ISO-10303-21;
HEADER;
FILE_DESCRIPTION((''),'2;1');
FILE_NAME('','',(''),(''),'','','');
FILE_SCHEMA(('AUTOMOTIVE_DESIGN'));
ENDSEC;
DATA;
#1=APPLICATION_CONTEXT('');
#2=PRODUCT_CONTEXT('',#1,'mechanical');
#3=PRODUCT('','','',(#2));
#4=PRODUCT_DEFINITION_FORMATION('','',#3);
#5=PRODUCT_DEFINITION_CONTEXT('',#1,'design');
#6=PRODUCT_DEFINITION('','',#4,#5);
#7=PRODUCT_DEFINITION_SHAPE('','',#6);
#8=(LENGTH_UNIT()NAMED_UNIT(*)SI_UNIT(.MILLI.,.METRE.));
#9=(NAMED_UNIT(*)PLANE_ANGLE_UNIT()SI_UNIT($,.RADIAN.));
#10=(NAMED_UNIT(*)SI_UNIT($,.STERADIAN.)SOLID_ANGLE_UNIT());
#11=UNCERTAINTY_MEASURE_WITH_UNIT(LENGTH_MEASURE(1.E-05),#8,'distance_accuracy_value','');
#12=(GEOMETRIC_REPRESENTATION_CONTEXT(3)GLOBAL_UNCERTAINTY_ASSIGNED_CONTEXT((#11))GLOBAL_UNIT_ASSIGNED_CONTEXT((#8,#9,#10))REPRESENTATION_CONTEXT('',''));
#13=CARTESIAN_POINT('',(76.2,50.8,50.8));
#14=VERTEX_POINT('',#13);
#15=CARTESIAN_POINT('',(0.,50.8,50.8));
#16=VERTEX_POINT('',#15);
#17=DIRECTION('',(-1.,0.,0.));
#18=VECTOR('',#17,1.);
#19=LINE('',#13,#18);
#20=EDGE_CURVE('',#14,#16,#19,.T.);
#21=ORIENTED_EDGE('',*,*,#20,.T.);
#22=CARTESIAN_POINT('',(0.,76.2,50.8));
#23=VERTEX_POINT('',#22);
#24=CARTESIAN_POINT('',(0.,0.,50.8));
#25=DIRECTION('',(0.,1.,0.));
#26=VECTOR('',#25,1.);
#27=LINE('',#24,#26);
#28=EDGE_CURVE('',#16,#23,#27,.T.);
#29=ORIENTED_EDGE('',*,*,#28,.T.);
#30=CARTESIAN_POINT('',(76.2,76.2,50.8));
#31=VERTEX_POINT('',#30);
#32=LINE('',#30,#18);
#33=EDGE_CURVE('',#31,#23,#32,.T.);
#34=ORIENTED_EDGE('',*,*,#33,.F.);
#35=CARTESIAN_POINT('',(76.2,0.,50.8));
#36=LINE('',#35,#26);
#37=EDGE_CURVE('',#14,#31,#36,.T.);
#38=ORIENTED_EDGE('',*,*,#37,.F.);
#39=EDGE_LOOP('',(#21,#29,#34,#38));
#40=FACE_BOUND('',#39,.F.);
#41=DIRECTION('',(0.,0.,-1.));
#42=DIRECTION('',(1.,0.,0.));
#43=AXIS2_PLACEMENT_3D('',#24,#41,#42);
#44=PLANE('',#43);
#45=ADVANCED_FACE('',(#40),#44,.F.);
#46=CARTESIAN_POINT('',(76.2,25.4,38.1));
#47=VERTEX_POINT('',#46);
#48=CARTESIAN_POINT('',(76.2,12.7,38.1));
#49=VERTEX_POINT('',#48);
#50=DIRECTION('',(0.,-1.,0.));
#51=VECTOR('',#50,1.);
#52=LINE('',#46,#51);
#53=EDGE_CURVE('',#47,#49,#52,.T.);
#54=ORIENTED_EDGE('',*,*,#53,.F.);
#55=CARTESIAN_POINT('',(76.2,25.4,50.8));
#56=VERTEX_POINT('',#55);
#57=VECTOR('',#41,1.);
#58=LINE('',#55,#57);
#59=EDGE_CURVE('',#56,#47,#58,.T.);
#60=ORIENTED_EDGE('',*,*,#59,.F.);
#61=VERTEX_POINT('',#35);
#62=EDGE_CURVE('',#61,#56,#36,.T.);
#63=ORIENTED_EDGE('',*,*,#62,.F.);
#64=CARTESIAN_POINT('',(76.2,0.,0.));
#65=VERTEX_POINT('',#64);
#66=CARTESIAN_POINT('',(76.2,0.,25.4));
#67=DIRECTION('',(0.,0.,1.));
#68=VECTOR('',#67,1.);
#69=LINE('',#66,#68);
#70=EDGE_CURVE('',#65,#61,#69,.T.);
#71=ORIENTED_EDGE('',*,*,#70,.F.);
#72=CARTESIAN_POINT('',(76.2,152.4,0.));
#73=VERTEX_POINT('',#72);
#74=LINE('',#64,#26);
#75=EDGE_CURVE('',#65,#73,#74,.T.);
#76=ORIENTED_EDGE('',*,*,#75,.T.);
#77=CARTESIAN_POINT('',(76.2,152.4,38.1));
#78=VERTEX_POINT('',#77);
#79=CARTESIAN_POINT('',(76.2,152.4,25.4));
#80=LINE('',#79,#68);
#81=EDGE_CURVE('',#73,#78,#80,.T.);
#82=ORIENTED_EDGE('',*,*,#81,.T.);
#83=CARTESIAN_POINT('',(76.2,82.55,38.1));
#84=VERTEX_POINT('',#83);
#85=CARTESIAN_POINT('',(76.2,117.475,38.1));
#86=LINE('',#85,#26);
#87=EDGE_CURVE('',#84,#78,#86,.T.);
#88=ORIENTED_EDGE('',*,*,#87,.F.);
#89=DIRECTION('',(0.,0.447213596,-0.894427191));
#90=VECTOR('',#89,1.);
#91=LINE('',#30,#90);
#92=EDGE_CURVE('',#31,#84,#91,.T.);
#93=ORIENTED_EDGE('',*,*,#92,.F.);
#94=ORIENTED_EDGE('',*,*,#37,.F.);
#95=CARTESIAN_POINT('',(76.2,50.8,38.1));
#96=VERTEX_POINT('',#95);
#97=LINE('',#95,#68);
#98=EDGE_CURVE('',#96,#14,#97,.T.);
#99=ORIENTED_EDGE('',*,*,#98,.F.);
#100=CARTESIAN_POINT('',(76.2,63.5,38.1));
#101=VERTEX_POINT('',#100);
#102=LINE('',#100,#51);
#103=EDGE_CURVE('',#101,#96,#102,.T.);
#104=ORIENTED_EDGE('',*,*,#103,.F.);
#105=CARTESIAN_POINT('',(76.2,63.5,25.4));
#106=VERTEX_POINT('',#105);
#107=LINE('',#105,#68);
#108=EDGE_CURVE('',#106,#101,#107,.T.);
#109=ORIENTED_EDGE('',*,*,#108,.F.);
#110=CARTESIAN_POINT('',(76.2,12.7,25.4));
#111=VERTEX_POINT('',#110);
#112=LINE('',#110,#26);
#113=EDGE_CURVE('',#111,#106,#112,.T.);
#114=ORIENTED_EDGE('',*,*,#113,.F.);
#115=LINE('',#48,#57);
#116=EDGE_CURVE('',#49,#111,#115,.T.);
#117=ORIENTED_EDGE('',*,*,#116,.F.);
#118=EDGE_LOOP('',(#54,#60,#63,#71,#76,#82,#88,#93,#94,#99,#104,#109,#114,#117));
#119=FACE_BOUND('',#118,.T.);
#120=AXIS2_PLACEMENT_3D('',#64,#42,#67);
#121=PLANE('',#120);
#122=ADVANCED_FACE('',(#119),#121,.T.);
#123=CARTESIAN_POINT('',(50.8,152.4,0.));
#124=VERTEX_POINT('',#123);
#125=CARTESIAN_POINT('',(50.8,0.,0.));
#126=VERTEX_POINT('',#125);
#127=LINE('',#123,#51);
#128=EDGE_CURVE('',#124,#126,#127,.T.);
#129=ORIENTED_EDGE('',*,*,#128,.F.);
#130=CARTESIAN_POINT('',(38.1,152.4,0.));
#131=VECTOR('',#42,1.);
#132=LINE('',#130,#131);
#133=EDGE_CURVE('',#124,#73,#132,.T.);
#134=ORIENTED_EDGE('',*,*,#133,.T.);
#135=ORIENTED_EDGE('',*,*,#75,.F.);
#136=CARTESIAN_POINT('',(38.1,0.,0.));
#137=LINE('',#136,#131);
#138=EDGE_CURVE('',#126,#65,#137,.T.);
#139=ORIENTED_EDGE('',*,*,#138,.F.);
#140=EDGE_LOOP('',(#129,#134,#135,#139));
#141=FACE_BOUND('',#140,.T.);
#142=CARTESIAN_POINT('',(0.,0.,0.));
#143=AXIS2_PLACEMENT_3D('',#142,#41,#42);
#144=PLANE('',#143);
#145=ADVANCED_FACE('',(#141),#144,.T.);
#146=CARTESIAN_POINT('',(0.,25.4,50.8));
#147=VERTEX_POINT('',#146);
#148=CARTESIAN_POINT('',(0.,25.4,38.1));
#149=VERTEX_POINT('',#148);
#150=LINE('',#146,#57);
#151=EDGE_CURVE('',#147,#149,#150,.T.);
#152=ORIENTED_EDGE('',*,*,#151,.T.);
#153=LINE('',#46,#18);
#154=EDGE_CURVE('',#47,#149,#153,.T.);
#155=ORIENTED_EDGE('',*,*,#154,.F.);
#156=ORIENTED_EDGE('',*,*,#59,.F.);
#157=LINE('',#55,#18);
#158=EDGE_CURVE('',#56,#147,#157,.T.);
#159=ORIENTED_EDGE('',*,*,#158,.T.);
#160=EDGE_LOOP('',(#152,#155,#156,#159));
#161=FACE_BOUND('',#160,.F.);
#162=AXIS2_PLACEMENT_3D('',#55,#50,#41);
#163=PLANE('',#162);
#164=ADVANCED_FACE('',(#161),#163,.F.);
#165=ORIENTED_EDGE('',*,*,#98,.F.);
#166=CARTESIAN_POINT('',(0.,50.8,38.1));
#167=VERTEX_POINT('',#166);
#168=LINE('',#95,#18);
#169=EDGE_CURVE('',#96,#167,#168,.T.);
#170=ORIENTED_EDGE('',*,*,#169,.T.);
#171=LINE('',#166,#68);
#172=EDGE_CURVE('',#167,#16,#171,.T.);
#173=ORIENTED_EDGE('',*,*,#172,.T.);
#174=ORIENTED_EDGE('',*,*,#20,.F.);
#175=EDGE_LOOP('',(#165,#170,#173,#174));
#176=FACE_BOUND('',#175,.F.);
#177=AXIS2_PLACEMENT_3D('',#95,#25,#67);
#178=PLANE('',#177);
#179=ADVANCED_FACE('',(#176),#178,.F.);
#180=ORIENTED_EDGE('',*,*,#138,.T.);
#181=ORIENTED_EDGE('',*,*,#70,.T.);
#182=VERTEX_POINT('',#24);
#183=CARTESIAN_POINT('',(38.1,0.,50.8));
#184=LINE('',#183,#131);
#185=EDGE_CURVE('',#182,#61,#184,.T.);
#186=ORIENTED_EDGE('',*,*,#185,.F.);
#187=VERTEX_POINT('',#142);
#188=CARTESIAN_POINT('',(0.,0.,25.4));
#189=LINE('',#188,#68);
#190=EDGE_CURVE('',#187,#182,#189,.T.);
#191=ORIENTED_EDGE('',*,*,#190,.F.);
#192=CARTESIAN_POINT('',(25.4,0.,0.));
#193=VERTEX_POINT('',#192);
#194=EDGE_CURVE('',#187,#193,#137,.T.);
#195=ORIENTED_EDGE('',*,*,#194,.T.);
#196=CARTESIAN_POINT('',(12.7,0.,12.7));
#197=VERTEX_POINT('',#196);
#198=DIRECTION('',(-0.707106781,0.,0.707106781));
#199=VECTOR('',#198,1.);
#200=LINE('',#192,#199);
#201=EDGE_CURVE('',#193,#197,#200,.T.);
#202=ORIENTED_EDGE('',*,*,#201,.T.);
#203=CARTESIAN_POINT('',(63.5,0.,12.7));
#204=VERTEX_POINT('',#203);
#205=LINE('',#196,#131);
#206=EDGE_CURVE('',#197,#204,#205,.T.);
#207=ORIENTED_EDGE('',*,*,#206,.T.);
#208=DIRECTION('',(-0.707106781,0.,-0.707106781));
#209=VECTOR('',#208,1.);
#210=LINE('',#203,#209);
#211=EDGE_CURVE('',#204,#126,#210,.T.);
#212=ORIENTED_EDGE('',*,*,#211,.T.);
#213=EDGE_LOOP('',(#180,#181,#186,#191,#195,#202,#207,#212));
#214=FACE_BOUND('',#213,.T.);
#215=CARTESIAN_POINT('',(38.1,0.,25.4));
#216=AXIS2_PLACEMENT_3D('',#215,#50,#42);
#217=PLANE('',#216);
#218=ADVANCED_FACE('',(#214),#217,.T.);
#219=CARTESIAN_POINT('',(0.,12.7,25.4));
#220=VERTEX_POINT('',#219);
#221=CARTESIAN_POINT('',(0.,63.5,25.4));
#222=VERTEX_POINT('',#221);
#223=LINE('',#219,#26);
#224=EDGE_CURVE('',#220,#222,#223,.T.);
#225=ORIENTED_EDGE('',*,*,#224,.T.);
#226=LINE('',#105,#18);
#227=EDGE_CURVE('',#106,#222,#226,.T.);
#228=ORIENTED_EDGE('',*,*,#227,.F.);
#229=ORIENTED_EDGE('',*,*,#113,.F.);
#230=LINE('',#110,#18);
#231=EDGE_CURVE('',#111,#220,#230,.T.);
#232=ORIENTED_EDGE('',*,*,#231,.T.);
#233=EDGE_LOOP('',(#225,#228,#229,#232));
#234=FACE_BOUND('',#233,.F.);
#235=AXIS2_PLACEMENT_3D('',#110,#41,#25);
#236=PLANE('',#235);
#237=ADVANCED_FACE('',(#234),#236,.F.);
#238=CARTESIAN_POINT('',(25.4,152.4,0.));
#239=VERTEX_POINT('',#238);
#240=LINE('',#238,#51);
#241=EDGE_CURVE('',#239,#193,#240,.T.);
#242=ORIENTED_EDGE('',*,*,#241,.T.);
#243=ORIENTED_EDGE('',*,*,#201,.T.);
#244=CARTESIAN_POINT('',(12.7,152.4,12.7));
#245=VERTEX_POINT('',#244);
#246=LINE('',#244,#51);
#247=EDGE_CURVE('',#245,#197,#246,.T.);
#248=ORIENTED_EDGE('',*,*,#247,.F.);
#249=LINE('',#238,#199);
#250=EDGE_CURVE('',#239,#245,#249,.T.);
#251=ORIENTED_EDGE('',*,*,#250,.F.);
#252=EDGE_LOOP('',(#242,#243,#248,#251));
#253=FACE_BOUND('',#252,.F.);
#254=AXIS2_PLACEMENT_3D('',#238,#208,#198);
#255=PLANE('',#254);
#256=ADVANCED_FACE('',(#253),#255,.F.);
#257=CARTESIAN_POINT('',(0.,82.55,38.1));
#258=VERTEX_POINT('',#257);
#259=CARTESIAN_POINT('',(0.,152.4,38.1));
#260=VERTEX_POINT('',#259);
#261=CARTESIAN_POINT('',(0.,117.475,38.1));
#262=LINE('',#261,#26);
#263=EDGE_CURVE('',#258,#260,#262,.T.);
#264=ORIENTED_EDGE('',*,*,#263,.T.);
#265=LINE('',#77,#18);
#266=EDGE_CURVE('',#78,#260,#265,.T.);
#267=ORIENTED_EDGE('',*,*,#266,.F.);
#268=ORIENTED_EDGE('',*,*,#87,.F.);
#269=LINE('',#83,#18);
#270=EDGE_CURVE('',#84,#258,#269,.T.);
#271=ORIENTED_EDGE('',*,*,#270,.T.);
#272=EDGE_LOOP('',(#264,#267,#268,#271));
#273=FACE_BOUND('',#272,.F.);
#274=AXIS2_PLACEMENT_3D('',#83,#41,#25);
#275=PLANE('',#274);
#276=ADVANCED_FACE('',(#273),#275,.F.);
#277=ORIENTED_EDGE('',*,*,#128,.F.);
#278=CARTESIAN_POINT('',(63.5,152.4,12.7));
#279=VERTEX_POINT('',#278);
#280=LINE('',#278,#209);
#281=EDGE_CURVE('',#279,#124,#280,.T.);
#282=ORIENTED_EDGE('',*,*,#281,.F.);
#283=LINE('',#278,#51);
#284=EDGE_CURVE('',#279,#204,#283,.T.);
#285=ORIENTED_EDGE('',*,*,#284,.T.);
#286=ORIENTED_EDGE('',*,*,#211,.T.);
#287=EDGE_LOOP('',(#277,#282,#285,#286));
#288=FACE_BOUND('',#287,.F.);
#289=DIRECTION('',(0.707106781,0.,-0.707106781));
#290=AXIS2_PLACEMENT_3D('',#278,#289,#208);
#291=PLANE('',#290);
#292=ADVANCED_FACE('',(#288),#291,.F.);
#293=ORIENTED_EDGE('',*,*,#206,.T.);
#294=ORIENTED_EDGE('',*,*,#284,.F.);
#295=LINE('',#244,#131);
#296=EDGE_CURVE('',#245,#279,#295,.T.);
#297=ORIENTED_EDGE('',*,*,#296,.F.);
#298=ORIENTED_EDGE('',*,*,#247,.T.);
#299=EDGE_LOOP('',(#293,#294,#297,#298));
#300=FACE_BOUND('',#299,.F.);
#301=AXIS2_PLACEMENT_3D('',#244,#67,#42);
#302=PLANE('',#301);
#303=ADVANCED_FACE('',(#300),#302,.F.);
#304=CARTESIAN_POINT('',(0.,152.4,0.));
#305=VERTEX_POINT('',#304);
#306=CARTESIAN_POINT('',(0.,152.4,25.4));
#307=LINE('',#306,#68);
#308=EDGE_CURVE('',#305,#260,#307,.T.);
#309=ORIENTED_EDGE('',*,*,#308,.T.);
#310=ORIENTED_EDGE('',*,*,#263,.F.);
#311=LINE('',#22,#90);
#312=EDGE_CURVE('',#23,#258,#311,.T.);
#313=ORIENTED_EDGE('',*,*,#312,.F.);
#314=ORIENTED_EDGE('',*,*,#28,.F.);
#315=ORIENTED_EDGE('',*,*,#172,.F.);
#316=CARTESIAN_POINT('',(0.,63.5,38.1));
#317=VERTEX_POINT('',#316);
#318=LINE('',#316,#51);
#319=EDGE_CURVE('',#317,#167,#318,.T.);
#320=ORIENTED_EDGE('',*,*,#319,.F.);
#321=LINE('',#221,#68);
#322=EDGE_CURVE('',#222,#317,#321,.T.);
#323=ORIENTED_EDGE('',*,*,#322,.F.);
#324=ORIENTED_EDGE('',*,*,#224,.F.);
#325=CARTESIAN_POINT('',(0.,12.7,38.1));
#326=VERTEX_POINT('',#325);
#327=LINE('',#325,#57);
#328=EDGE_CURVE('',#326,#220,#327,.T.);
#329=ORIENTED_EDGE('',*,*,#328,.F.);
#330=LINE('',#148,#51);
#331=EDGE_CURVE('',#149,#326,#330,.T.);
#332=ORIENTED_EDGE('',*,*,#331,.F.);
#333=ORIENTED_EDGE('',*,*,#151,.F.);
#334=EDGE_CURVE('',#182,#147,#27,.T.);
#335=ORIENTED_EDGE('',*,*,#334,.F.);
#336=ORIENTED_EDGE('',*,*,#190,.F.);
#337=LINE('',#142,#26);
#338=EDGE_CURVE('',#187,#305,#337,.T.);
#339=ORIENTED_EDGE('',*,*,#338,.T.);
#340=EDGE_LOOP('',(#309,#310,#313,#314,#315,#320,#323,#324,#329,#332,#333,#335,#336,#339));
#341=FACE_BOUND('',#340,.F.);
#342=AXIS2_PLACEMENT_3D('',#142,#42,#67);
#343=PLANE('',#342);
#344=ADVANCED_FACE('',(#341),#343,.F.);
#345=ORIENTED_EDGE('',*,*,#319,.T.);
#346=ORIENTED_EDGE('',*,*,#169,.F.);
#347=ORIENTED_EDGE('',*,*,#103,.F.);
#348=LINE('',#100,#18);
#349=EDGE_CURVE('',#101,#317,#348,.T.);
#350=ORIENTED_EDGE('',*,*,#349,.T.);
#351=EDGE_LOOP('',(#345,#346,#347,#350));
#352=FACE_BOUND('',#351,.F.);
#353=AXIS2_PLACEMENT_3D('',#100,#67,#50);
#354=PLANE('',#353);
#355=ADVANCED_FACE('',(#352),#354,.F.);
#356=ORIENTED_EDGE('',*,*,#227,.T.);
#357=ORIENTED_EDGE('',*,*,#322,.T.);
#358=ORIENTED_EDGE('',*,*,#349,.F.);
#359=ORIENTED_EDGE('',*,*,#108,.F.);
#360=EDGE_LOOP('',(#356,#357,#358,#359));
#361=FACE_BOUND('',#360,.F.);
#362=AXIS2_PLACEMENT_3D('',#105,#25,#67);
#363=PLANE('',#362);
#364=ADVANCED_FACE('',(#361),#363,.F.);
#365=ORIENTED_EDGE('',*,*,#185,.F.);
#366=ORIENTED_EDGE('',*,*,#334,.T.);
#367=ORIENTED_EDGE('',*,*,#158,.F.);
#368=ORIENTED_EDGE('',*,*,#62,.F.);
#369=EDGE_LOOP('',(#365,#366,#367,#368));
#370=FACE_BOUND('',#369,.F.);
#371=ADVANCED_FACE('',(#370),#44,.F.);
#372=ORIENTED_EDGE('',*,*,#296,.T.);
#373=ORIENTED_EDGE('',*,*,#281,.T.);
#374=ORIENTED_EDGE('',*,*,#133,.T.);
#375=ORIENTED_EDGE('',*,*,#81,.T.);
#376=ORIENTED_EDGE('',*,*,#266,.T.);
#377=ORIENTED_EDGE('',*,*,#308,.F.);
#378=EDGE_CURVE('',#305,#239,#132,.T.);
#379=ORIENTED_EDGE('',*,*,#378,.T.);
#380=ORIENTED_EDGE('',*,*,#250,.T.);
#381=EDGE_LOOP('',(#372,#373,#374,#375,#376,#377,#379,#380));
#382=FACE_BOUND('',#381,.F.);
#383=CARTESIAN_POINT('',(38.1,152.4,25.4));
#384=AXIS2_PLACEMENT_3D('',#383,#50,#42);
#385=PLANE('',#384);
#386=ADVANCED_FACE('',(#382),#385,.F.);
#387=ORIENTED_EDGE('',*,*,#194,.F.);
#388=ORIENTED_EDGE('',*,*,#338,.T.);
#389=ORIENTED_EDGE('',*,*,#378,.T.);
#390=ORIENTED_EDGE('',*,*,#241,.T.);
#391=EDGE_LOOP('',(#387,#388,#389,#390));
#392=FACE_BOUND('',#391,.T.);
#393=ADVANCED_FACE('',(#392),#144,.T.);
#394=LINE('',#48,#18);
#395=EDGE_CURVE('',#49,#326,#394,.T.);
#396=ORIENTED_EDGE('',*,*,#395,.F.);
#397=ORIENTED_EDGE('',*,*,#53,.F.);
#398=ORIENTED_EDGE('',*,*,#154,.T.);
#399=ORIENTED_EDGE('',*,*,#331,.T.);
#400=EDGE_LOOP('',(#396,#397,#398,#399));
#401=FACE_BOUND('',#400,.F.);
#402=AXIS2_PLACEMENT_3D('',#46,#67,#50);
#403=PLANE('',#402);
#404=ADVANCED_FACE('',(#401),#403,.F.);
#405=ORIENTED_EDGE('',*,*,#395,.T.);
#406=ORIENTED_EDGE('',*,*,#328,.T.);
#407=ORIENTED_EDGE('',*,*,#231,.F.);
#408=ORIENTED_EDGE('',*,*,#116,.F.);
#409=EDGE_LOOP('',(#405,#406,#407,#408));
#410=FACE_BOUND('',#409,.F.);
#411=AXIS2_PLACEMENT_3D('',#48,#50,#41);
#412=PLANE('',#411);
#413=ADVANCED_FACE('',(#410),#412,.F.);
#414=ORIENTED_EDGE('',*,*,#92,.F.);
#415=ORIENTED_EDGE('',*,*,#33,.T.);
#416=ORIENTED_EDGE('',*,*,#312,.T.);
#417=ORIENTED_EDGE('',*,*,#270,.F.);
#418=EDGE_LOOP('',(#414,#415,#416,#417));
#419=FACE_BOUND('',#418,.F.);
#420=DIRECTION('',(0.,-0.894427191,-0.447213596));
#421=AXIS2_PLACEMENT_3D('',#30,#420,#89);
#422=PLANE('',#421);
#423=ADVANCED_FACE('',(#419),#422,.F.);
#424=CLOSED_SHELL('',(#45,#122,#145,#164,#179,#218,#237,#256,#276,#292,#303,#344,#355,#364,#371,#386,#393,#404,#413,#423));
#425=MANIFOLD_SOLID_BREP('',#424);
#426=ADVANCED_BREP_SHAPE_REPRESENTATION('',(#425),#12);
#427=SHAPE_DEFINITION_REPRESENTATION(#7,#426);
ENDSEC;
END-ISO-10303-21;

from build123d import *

# Parameters (mm, degrees)
F0_W     = 76.2
F0_H     = 50.8
F1_DEPTH = 152.4
F3_DEPTH = 76.2
F4_W     = 69.85
F4_H     = 12.7
F5_DEPTH = 76.2
F7_DEPTH = 152.4


with BuildPart() as f1:
    # F0 (on Front) → F1 (new body)
    with BuildSketch(Plane.XZ):
        with Locations((38.1, 25.4)):
            Rectangle(F0_W, F0_H)
    extrude(amount=-F1_DEPTH)

    # F2 (on face) → F3 (cut)
    with BuildSketch(Plane.YZ.offset(76.2)):
        Polygon((50.8, 50.8), (25.4, 50.8), (25.4, 38.1), (12.7, 38.1), (12.7, 25.4), (63.5, 25.4), (63.5, 38.1), (50.8, 38.1), align=None)
    extrude(amount=-F3_DEPTH, mode=Mode.SUBTRACT)

    # F4 (on face) → F5 (cut)
    with BuildSketch(Plane.YZ.offset(76.2)):
        Polygon((82.55, 38.1), (82.55, 50.8), (76.2, 50.8), align=None)
        with Locations((117.475, 44.45)):
            Rectangle(F4_W, F4_H)
    extrude(amount=-F5_DEPTH, mode=Mode.SUBTRACT)

    # F6 (on face) → F7 (cut)
    with BuildSketch(Plane(origin=(0, 152.4, 0), x_dir=(-1, 0, 0), z_dir=(0, 1, 0))):
        Polygon((-63.5, 12.7), (-50.8, 0), (-25.4, 0), (-12.7, 12.7), align=None)
    extrude(amount=-F7_DEPTH, mode=Mode.SUBTRACT)


solid = f1.part
